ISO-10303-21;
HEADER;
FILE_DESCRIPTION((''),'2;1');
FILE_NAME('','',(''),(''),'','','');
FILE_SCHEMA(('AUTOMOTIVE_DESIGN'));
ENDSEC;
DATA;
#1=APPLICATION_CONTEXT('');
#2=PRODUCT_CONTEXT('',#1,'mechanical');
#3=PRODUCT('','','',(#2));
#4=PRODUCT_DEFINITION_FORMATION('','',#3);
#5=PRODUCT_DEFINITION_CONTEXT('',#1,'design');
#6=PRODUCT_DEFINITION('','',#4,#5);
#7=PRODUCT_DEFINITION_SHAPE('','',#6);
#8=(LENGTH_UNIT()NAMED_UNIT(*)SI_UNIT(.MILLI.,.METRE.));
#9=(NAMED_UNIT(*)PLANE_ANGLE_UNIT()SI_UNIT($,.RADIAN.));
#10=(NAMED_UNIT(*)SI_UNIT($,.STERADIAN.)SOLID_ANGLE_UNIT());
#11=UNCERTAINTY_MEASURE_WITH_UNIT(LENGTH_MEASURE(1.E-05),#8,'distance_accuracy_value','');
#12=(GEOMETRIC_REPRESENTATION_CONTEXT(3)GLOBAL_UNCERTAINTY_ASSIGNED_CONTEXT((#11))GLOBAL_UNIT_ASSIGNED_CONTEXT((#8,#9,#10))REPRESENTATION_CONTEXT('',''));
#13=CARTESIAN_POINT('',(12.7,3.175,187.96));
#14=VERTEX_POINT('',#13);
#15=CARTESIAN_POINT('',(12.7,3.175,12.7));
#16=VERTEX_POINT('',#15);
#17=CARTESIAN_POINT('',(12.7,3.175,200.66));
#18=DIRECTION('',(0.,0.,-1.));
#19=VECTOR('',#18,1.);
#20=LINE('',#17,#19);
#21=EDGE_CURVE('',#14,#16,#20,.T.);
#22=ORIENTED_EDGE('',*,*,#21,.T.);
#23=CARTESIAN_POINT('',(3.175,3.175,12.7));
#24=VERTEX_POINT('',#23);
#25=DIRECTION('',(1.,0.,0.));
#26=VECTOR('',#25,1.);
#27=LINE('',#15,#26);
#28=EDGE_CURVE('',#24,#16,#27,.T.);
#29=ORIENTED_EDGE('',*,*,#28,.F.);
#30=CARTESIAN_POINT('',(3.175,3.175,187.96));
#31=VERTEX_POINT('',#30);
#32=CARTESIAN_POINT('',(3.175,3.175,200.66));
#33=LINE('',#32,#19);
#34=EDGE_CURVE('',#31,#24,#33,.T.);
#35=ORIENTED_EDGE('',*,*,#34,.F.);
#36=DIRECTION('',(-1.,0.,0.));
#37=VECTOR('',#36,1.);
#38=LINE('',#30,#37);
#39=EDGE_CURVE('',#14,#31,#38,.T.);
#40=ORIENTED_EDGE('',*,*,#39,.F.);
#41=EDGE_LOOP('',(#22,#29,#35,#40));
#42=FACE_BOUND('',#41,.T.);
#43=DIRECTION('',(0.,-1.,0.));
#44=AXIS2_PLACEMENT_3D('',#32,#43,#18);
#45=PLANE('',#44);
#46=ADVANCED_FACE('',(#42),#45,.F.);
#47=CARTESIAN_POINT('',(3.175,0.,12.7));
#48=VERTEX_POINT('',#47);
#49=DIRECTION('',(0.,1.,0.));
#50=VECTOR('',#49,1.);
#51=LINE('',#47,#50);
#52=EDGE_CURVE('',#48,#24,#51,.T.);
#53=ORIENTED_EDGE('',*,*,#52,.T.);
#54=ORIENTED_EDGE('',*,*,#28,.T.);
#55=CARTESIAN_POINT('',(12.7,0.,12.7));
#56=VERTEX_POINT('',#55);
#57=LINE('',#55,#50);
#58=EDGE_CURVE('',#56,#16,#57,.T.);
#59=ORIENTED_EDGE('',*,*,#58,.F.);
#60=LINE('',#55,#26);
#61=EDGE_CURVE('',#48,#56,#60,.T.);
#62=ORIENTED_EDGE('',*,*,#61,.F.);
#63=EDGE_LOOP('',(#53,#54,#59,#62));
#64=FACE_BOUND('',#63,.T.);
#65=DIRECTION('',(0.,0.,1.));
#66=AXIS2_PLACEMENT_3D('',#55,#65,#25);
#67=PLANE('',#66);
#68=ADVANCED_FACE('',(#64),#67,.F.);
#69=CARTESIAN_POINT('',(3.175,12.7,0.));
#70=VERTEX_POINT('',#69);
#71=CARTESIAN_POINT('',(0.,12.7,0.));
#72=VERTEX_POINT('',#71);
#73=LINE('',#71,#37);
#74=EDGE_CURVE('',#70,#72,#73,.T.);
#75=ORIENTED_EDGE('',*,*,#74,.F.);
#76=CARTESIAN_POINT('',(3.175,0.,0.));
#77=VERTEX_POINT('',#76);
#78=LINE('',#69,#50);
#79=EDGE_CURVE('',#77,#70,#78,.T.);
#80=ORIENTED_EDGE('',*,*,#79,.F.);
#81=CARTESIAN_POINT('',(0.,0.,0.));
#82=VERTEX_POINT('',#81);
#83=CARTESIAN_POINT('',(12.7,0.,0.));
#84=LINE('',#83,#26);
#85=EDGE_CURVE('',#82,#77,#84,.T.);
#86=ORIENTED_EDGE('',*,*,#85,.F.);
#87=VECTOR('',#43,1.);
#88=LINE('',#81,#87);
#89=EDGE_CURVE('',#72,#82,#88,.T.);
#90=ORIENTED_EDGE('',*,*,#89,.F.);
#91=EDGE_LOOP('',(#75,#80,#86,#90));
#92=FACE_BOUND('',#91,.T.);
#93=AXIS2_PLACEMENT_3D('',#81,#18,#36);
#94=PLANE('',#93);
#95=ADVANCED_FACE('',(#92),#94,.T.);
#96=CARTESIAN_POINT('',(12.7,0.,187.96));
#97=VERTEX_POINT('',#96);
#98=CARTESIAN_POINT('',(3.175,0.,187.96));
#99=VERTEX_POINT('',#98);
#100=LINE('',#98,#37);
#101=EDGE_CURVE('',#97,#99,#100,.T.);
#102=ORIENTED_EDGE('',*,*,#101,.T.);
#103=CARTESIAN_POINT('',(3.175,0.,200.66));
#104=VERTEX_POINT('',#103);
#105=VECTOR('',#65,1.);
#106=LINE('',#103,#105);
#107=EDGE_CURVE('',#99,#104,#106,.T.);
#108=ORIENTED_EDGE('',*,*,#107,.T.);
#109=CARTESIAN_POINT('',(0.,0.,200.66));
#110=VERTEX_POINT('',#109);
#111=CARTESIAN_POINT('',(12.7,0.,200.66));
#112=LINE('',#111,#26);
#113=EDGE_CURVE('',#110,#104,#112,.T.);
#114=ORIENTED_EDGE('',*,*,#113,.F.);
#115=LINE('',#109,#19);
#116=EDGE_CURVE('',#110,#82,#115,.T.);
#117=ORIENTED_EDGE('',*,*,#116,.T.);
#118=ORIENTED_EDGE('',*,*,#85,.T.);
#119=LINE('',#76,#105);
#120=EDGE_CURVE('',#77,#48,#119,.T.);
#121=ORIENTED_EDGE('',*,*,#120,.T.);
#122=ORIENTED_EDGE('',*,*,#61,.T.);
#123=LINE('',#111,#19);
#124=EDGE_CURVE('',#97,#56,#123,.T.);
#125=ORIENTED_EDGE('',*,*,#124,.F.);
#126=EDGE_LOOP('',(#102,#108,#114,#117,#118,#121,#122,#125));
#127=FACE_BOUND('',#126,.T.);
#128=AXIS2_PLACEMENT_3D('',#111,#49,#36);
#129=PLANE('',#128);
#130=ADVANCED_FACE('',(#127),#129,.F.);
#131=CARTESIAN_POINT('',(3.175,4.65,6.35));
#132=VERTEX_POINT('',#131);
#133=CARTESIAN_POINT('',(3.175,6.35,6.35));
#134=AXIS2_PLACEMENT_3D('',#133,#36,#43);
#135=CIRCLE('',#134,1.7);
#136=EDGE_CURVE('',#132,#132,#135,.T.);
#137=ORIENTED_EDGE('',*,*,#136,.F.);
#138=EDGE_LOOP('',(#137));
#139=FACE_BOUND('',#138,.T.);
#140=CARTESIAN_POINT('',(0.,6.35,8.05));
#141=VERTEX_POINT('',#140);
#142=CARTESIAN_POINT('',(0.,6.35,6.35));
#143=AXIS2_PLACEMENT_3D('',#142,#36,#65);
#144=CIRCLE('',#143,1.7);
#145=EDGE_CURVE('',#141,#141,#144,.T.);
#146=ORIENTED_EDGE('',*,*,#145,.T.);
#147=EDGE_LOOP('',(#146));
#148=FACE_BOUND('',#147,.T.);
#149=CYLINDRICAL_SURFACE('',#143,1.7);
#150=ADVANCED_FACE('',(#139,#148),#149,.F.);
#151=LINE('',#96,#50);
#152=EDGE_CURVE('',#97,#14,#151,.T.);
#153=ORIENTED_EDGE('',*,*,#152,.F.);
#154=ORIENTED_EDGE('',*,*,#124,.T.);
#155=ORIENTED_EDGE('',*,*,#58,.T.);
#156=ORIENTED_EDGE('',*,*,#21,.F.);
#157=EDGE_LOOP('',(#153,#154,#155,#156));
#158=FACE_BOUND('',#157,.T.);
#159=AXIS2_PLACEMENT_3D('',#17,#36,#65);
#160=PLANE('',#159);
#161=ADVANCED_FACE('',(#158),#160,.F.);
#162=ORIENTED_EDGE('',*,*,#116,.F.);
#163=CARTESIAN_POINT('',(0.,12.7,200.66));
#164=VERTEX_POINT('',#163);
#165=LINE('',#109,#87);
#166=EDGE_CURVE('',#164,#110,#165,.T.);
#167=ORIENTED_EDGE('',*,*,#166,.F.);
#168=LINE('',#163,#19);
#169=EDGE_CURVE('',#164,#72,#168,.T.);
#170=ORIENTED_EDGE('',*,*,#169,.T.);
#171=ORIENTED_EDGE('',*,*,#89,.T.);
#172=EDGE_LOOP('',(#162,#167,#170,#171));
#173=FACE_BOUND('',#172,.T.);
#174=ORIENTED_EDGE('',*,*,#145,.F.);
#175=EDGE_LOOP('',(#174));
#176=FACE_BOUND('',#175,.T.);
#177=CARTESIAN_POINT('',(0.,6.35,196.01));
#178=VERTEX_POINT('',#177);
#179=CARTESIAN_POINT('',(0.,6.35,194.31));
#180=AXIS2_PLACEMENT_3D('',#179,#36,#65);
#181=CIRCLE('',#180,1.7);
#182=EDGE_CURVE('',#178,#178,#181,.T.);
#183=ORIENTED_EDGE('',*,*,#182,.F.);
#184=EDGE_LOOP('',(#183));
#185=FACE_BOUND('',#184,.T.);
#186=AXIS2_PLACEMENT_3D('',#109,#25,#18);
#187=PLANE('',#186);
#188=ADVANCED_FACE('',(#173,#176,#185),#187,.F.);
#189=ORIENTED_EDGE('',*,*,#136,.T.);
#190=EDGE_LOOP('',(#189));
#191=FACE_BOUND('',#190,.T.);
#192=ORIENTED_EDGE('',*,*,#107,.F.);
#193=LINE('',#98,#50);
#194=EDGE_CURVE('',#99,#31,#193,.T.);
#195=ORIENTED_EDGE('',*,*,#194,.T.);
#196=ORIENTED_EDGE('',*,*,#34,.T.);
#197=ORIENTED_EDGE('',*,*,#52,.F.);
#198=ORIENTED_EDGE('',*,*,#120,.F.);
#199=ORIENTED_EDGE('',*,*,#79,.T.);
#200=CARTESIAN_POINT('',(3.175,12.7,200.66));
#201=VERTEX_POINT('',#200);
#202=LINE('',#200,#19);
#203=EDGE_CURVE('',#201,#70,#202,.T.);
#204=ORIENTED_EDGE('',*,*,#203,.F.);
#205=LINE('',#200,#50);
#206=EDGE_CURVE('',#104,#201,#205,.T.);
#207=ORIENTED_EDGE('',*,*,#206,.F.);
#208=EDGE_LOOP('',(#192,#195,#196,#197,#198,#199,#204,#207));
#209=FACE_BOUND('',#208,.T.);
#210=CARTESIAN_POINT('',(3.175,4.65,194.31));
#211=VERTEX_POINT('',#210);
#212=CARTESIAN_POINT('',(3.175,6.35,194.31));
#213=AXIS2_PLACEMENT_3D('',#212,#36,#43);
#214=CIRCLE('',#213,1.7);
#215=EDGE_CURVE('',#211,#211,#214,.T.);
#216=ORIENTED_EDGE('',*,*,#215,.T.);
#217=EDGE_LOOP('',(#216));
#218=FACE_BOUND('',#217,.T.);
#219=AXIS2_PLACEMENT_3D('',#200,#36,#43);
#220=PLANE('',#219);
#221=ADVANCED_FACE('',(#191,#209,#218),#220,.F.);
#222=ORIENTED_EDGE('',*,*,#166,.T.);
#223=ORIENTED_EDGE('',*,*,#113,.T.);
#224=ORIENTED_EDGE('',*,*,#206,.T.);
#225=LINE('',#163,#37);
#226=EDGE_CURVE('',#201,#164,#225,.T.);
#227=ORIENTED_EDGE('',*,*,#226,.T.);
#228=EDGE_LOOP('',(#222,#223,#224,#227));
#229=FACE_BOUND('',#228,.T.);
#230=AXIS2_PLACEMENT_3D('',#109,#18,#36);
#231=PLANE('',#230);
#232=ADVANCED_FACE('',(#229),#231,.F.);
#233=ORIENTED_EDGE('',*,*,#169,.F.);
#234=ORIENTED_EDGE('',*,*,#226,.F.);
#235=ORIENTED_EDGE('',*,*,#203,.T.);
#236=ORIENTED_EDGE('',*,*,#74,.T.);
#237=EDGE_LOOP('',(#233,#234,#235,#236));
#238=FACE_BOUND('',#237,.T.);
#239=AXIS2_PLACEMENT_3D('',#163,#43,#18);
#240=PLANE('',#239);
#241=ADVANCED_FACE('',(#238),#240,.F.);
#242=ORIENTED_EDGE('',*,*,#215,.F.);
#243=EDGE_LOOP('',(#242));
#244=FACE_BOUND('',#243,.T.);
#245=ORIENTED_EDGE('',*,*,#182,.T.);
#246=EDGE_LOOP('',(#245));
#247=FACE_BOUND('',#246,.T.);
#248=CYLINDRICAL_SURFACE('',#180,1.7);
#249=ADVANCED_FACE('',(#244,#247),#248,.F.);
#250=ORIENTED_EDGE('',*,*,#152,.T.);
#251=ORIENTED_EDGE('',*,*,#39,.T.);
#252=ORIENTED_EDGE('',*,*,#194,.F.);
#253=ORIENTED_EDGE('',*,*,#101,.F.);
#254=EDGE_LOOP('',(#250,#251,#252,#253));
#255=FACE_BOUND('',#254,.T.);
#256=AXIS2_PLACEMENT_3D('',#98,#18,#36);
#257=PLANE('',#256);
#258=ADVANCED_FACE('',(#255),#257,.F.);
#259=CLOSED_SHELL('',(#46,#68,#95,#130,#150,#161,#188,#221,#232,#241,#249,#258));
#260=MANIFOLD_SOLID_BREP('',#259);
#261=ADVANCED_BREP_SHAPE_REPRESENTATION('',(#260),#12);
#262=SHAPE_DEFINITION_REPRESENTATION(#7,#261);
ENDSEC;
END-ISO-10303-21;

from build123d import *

# Parameters (mm, degrees)
BOSS_EXTRUDE1_DEPTH  = 200.66
SKETCH2_W            = 9.525
SKETCH2_H            = 12.7
CUT_EXTRUDE1_DEPTH   = 4.175
M3_CLEARANCE_HOLE1_D = 3.4


with BuildPart() as part:
    # Sketch1 → Boss-Extrude1 (new body)
    with BuildSketch(Plane.XY):
        Polygon((0, 0), (0, 12.7), (3.175, 12.7), (3.175, 3.175), (12.7, 3.175), (12.7, 0), align=None)
    extrude(amount=BOSS_EXTRUDE1_DEPTH)

    # Sketch2 → Cut-Extrude1 (cut, through all)
    with BuildSketch(Plane(origin=(0, 3.175, 0), x_dir=(1, 0, 0), z_dir=(0, 1, 0))):
        with Locations((7.9375, -6.35)):
            Rectangle(SKETCH2_W, SKETCH2_H)
        with Locations((7.9375, -194.31)):
            Rectangle(SKETCH2_W, SKETCH2_H)
    extrude(amount=-CUT_EXTRUDE1_DEPTH, mode=Mode.SUBTRACT)

    # M3 Clearance Hole1 (through all)
    with Locations(Plane(origin=(0, 6.35, 6.35), x_dir=(0, 0, -1), z_dir=(-1, 0, 0))):
        with Locations((0, 0), (-187.96, 0)):
            Hole(M3_CLEARANCE_HOLE1_D / 2)


solid = part.part
